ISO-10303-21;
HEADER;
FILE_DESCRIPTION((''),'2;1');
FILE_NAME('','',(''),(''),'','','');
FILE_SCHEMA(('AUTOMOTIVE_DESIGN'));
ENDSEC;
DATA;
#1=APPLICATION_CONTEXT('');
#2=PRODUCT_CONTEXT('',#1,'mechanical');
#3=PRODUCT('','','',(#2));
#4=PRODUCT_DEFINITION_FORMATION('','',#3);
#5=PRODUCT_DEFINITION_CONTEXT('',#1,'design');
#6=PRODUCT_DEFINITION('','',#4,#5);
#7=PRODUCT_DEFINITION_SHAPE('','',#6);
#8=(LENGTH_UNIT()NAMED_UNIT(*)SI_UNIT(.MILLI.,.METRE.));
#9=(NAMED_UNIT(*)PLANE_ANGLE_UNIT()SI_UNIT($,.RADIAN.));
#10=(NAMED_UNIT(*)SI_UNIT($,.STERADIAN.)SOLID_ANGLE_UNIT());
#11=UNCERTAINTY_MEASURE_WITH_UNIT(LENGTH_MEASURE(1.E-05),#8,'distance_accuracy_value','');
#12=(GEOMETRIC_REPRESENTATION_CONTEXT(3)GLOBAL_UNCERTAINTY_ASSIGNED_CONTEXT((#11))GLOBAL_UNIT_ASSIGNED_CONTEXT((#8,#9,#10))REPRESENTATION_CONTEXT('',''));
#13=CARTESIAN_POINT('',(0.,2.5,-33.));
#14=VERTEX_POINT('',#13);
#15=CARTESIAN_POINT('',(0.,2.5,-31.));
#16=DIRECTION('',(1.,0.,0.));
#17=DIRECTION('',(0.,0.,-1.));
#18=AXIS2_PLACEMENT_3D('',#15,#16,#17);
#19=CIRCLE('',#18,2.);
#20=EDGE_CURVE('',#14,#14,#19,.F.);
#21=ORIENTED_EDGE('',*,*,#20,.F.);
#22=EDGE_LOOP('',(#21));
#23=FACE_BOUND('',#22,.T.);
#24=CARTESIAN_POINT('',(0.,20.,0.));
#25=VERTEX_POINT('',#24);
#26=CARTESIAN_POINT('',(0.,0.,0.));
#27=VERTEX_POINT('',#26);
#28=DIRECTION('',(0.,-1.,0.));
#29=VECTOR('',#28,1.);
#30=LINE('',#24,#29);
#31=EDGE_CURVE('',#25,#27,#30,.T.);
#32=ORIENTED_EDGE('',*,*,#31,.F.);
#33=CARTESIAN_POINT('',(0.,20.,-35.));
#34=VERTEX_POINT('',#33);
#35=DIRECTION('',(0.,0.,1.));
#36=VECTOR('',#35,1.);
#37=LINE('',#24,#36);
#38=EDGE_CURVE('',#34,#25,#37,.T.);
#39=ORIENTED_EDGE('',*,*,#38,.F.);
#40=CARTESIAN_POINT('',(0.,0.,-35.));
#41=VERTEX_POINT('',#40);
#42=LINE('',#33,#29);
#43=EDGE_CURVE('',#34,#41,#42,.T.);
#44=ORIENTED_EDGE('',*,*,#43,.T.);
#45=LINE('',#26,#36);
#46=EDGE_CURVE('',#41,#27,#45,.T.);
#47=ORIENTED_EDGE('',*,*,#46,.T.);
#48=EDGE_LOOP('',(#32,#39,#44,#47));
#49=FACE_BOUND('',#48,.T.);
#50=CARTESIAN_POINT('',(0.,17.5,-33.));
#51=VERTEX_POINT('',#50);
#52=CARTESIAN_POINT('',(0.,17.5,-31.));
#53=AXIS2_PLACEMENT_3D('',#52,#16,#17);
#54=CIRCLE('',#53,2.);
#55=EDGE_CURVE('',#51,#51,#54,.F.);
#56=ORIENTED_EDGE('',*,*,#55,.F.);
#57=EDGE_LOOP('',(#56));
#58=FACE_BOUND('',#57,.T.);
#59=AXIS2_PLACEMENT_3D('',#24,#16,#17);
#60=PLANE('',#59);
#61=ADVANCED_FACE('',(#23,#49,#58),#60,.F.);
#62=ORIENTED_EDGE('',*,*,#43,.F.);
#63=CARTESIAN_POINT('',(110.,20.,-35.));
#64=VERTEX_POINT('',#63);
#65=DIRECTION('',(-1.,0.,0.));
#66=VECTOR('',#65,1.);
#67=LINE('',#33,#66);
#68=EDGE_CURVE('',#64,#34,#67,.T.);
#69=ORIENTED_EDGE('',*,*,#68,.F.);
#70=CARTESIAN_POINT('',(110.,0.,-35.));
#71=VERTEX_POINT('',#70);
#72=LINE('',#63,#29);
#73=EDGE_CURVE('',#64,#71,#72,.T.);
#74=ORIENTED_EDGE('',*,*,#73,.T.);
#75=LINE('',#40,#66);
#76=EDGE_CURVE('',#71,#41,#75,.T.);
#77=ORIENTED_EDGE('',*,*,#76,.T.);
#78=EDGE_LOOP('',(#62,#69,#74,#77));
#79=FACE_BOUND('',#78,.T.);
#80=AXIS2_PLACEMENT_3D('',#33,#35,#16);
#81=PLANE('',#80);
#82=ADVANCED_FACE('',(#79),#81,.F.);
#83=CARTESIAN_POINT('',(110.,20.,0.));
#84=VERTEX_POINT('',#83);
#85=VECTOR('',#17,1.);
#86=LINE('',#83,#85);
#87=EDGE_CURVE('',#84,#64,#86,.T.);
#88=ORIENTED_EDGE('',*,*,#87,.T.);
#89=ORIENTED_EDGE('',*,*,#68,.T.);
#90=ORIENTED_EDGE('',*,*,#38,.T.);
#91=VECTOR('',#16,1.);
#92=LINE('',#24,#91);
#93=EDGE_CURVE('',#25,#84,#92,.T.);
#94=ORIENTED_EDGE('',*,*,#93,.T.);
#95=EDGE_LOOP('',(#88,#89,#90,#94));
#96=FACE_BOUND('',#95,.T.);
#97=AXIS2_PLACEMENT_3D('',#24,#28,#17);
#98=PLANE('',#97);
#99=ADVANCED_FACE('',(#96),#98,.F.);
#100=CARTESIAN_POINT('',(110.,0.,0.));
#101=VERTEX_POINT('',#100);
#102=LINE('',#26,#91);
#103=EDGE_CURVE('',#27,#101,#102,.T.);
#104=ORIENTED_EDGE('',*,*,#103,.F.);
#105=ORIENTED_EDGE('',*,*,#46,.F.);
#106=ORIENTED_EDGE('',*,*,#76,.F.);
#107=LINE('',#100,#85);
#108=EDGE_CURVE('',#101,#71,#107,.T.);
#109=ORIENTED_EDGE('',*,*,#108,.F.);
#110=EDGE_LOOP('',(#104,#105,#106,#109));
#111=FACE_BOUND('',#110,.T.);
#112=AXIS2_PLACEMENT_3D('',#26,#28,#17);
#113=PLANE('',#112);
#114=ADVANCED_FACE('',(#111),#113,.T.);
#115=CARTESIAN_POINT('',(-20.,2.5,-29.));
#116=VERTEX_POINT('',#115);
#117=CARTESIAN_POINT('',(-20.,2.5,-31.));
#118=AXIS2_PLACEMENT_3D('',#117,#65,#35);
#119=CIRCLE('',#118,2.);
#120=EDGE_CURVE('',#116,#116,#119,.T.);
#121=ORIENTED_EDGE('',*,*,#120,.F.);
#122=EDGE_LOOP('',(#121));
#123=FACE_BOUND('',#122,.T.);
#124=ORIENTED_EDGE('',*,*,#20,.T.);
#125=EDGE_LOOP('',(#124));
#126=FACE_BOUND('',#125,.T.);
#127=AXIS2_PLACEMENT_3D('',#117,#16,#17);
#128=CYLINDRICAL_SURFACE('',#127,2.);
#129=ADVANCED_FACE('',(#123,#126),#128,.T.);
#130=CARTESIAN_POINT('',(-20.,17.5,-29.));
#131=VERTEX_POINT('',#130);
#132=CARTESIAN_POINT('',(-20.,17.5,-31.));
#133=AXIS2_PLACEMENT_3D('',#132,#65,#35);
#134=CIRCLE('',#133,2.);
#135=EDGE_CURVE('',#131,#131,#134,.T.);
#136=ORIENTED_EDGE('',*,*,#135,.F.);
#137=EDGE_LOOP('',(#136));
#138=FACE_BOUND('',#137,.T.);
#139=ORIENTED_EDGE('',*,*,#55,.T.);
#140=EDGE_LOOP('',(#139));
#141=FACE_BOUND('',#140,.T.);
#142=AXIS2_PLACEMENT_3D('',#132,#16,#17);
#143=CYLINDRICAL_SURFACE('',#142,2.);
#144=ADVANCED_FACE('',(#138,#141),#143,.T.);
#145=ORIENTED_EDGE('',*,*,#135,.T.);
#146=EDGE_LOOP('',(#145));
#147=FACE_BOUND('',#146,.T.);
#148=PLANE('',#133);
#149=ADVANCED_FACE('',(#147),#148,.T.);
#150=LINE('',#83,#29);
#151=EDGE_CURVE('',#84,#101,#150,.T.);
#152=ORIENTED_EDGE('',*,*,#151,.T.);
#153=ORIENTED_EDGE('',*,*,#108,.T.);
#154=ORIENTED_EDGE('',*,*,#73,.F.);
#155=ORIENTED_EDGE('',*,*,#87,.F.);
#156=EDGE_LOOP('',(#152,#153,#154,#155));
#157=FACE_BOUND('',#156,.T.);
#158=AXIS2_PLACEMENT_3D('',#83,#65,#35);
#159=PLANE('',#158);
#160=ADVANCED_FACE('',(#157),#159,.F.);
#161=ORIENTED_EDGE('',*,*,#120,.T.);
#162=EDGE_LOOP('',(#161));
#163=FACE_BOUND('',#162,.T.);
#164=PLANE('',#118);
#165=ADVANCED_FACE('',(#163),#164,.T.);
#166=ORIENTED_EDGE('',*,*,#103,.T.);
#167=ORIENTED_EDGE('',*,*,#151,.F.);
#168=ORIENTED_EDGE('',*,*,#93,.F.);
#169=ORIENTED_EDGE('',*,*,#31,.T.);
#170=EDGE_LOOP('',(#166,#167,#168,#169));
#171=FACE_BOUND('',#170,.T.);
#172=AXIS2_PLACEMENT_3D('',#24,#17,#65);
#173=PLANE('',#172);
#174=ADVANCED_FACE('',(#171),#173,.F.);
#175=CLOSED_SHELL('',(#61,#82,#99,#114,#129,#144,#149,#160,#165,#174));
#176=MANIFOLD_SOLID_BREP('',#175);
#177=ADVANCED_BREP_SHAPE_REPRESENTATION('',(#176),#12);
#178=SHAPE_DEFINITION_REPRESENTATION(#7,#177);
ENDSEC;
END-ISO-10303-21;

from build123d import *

# Parameters (mm, degrees)
SKETCH1_W           = 110
SKETCH1_H           = 35
BOSS_EXTRUDE1_DEPTH = 20
SKETCH2_R           = 2
BOSS_EXTRUDE2_DEPTH = 20


with BuildPart() as part:
    # Sketch1 → Boss-Extrude1 (new body)
    with BuildSketch(Plane(origin=(0, 0, 0), x_dir=(1, 0, 0), z_dir=(0, 1, 0))):
        with Locations((55, 17.5)):
            Rectangle(SKETCH1_W, SKETCH1_H)
    extrude(amount=BOSS_EXTRUDE1_DEPTH)

    # Sketch2 → Boss-Extrude2 (add)
    with BuildSketch(Plane.ZY):
        with Locations(Location((-31, 17.5, 0), (0, 0, 180))):
            Circle(SKETCH2_R)
        with Locations(Location((-31, 2.5, 0), (0, 0, 180))):
            Circle(SKETCH2_R)
    extrude(amount=BOSS_EXTRUDE2_DEPTH)


solid = part.part
